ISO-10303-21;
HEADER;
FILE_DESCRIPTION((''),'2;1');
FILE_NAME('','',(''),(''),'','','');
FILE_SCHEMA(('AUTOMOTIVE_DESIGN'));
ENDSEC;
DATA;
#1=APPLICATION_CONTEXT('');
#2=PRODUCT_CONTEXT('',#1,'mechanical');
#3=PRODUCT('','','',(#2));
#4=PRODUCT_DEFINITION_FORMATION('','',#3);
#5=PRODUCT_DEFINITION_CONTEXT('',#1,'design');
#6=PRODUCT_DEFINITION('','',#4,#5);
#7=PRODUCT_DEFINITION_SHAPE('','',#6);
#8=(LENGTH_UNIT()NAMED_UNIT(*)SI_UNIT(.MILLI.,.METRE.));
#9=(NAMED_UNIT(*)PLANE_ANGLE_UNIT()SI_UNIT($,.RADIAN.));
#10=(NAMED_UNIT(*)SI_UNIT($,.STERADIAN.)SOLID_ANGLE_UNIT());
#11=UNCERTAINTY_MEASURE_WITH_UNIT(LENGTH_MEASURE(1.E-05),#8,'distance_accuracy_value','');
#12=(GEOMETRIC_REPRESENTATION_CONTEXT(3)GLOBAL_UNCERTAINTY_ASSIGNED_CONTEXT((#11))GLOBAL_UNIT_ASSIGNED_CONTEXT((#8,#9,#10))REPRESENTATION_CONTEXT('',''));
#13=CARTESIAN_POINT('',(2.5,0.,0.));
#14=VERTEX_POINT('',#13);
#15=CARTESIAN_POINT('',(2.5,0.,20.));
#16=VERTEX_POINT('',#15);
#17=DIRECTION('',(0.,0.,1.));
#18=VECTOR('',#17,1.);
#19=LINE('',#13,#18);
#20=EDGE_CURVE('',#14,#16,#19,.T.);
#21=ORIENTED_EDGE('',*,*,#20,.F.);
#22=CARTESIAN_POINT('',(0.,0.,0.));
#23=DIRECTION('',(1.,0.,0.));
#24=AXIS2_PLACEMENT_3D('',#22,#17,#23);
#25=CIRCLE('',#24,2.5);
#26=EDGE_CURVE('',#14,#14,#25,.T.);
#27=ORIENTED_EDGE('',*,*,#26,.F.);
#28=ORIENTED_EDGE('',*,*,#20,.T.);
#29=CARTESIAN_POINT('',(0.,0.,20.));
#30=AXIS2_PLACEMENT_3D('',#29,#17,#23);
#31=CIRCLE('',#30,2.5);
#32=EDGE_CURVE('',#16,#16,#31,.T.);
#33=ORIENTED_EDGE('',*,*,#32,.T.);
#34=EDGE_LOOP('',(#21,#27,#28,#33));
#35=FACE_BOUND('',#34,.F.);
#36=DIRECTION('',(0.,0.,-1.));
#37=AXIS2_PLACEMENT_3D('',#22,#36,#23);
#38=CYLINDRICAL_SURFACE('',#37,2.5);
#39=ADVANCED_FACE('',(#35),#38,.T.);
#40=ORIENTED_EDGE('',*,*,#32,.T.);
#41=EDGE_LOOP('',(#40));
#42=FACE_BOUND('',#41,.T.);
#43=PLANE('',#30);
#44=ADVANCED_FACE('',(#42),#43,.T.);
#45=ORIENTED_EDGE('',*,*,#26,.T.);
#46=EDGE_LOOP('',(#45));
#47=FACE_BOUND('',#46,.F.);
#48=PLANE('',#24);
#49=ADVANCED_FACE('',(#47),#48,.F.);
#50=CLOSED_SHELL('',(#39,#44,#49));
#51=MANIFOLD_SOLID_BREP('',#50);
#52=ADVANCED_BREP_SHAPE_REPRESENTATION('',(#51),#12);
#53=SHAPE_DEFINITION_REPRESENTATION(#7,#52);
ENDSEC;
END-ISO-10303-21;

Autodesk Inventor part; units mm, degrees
ref_plane "YZ Plane" through (0, 0, 0) normal (1, 0, 0) x (0, 1, 0)
ref_plane "XZ Plane" through (0, 0, 0) normal (0, 1, 0) x (-1, 0, 0)
ref_plane "XY Plane" through (0, 0, 0) normal (0, 0, 1) x (1, 0, 0)
sketch "Sketch1" plane through (0, 0, 0) normal (0, 0, 1) x (1, 0, 0)
  circle A0 centre (0, 0) radius 2.5
  dimension "d0" = 5
extrude "Extrusion1" add sketch "Sketch1" along normal blind 20
properties part number "bigrod_2cm"
